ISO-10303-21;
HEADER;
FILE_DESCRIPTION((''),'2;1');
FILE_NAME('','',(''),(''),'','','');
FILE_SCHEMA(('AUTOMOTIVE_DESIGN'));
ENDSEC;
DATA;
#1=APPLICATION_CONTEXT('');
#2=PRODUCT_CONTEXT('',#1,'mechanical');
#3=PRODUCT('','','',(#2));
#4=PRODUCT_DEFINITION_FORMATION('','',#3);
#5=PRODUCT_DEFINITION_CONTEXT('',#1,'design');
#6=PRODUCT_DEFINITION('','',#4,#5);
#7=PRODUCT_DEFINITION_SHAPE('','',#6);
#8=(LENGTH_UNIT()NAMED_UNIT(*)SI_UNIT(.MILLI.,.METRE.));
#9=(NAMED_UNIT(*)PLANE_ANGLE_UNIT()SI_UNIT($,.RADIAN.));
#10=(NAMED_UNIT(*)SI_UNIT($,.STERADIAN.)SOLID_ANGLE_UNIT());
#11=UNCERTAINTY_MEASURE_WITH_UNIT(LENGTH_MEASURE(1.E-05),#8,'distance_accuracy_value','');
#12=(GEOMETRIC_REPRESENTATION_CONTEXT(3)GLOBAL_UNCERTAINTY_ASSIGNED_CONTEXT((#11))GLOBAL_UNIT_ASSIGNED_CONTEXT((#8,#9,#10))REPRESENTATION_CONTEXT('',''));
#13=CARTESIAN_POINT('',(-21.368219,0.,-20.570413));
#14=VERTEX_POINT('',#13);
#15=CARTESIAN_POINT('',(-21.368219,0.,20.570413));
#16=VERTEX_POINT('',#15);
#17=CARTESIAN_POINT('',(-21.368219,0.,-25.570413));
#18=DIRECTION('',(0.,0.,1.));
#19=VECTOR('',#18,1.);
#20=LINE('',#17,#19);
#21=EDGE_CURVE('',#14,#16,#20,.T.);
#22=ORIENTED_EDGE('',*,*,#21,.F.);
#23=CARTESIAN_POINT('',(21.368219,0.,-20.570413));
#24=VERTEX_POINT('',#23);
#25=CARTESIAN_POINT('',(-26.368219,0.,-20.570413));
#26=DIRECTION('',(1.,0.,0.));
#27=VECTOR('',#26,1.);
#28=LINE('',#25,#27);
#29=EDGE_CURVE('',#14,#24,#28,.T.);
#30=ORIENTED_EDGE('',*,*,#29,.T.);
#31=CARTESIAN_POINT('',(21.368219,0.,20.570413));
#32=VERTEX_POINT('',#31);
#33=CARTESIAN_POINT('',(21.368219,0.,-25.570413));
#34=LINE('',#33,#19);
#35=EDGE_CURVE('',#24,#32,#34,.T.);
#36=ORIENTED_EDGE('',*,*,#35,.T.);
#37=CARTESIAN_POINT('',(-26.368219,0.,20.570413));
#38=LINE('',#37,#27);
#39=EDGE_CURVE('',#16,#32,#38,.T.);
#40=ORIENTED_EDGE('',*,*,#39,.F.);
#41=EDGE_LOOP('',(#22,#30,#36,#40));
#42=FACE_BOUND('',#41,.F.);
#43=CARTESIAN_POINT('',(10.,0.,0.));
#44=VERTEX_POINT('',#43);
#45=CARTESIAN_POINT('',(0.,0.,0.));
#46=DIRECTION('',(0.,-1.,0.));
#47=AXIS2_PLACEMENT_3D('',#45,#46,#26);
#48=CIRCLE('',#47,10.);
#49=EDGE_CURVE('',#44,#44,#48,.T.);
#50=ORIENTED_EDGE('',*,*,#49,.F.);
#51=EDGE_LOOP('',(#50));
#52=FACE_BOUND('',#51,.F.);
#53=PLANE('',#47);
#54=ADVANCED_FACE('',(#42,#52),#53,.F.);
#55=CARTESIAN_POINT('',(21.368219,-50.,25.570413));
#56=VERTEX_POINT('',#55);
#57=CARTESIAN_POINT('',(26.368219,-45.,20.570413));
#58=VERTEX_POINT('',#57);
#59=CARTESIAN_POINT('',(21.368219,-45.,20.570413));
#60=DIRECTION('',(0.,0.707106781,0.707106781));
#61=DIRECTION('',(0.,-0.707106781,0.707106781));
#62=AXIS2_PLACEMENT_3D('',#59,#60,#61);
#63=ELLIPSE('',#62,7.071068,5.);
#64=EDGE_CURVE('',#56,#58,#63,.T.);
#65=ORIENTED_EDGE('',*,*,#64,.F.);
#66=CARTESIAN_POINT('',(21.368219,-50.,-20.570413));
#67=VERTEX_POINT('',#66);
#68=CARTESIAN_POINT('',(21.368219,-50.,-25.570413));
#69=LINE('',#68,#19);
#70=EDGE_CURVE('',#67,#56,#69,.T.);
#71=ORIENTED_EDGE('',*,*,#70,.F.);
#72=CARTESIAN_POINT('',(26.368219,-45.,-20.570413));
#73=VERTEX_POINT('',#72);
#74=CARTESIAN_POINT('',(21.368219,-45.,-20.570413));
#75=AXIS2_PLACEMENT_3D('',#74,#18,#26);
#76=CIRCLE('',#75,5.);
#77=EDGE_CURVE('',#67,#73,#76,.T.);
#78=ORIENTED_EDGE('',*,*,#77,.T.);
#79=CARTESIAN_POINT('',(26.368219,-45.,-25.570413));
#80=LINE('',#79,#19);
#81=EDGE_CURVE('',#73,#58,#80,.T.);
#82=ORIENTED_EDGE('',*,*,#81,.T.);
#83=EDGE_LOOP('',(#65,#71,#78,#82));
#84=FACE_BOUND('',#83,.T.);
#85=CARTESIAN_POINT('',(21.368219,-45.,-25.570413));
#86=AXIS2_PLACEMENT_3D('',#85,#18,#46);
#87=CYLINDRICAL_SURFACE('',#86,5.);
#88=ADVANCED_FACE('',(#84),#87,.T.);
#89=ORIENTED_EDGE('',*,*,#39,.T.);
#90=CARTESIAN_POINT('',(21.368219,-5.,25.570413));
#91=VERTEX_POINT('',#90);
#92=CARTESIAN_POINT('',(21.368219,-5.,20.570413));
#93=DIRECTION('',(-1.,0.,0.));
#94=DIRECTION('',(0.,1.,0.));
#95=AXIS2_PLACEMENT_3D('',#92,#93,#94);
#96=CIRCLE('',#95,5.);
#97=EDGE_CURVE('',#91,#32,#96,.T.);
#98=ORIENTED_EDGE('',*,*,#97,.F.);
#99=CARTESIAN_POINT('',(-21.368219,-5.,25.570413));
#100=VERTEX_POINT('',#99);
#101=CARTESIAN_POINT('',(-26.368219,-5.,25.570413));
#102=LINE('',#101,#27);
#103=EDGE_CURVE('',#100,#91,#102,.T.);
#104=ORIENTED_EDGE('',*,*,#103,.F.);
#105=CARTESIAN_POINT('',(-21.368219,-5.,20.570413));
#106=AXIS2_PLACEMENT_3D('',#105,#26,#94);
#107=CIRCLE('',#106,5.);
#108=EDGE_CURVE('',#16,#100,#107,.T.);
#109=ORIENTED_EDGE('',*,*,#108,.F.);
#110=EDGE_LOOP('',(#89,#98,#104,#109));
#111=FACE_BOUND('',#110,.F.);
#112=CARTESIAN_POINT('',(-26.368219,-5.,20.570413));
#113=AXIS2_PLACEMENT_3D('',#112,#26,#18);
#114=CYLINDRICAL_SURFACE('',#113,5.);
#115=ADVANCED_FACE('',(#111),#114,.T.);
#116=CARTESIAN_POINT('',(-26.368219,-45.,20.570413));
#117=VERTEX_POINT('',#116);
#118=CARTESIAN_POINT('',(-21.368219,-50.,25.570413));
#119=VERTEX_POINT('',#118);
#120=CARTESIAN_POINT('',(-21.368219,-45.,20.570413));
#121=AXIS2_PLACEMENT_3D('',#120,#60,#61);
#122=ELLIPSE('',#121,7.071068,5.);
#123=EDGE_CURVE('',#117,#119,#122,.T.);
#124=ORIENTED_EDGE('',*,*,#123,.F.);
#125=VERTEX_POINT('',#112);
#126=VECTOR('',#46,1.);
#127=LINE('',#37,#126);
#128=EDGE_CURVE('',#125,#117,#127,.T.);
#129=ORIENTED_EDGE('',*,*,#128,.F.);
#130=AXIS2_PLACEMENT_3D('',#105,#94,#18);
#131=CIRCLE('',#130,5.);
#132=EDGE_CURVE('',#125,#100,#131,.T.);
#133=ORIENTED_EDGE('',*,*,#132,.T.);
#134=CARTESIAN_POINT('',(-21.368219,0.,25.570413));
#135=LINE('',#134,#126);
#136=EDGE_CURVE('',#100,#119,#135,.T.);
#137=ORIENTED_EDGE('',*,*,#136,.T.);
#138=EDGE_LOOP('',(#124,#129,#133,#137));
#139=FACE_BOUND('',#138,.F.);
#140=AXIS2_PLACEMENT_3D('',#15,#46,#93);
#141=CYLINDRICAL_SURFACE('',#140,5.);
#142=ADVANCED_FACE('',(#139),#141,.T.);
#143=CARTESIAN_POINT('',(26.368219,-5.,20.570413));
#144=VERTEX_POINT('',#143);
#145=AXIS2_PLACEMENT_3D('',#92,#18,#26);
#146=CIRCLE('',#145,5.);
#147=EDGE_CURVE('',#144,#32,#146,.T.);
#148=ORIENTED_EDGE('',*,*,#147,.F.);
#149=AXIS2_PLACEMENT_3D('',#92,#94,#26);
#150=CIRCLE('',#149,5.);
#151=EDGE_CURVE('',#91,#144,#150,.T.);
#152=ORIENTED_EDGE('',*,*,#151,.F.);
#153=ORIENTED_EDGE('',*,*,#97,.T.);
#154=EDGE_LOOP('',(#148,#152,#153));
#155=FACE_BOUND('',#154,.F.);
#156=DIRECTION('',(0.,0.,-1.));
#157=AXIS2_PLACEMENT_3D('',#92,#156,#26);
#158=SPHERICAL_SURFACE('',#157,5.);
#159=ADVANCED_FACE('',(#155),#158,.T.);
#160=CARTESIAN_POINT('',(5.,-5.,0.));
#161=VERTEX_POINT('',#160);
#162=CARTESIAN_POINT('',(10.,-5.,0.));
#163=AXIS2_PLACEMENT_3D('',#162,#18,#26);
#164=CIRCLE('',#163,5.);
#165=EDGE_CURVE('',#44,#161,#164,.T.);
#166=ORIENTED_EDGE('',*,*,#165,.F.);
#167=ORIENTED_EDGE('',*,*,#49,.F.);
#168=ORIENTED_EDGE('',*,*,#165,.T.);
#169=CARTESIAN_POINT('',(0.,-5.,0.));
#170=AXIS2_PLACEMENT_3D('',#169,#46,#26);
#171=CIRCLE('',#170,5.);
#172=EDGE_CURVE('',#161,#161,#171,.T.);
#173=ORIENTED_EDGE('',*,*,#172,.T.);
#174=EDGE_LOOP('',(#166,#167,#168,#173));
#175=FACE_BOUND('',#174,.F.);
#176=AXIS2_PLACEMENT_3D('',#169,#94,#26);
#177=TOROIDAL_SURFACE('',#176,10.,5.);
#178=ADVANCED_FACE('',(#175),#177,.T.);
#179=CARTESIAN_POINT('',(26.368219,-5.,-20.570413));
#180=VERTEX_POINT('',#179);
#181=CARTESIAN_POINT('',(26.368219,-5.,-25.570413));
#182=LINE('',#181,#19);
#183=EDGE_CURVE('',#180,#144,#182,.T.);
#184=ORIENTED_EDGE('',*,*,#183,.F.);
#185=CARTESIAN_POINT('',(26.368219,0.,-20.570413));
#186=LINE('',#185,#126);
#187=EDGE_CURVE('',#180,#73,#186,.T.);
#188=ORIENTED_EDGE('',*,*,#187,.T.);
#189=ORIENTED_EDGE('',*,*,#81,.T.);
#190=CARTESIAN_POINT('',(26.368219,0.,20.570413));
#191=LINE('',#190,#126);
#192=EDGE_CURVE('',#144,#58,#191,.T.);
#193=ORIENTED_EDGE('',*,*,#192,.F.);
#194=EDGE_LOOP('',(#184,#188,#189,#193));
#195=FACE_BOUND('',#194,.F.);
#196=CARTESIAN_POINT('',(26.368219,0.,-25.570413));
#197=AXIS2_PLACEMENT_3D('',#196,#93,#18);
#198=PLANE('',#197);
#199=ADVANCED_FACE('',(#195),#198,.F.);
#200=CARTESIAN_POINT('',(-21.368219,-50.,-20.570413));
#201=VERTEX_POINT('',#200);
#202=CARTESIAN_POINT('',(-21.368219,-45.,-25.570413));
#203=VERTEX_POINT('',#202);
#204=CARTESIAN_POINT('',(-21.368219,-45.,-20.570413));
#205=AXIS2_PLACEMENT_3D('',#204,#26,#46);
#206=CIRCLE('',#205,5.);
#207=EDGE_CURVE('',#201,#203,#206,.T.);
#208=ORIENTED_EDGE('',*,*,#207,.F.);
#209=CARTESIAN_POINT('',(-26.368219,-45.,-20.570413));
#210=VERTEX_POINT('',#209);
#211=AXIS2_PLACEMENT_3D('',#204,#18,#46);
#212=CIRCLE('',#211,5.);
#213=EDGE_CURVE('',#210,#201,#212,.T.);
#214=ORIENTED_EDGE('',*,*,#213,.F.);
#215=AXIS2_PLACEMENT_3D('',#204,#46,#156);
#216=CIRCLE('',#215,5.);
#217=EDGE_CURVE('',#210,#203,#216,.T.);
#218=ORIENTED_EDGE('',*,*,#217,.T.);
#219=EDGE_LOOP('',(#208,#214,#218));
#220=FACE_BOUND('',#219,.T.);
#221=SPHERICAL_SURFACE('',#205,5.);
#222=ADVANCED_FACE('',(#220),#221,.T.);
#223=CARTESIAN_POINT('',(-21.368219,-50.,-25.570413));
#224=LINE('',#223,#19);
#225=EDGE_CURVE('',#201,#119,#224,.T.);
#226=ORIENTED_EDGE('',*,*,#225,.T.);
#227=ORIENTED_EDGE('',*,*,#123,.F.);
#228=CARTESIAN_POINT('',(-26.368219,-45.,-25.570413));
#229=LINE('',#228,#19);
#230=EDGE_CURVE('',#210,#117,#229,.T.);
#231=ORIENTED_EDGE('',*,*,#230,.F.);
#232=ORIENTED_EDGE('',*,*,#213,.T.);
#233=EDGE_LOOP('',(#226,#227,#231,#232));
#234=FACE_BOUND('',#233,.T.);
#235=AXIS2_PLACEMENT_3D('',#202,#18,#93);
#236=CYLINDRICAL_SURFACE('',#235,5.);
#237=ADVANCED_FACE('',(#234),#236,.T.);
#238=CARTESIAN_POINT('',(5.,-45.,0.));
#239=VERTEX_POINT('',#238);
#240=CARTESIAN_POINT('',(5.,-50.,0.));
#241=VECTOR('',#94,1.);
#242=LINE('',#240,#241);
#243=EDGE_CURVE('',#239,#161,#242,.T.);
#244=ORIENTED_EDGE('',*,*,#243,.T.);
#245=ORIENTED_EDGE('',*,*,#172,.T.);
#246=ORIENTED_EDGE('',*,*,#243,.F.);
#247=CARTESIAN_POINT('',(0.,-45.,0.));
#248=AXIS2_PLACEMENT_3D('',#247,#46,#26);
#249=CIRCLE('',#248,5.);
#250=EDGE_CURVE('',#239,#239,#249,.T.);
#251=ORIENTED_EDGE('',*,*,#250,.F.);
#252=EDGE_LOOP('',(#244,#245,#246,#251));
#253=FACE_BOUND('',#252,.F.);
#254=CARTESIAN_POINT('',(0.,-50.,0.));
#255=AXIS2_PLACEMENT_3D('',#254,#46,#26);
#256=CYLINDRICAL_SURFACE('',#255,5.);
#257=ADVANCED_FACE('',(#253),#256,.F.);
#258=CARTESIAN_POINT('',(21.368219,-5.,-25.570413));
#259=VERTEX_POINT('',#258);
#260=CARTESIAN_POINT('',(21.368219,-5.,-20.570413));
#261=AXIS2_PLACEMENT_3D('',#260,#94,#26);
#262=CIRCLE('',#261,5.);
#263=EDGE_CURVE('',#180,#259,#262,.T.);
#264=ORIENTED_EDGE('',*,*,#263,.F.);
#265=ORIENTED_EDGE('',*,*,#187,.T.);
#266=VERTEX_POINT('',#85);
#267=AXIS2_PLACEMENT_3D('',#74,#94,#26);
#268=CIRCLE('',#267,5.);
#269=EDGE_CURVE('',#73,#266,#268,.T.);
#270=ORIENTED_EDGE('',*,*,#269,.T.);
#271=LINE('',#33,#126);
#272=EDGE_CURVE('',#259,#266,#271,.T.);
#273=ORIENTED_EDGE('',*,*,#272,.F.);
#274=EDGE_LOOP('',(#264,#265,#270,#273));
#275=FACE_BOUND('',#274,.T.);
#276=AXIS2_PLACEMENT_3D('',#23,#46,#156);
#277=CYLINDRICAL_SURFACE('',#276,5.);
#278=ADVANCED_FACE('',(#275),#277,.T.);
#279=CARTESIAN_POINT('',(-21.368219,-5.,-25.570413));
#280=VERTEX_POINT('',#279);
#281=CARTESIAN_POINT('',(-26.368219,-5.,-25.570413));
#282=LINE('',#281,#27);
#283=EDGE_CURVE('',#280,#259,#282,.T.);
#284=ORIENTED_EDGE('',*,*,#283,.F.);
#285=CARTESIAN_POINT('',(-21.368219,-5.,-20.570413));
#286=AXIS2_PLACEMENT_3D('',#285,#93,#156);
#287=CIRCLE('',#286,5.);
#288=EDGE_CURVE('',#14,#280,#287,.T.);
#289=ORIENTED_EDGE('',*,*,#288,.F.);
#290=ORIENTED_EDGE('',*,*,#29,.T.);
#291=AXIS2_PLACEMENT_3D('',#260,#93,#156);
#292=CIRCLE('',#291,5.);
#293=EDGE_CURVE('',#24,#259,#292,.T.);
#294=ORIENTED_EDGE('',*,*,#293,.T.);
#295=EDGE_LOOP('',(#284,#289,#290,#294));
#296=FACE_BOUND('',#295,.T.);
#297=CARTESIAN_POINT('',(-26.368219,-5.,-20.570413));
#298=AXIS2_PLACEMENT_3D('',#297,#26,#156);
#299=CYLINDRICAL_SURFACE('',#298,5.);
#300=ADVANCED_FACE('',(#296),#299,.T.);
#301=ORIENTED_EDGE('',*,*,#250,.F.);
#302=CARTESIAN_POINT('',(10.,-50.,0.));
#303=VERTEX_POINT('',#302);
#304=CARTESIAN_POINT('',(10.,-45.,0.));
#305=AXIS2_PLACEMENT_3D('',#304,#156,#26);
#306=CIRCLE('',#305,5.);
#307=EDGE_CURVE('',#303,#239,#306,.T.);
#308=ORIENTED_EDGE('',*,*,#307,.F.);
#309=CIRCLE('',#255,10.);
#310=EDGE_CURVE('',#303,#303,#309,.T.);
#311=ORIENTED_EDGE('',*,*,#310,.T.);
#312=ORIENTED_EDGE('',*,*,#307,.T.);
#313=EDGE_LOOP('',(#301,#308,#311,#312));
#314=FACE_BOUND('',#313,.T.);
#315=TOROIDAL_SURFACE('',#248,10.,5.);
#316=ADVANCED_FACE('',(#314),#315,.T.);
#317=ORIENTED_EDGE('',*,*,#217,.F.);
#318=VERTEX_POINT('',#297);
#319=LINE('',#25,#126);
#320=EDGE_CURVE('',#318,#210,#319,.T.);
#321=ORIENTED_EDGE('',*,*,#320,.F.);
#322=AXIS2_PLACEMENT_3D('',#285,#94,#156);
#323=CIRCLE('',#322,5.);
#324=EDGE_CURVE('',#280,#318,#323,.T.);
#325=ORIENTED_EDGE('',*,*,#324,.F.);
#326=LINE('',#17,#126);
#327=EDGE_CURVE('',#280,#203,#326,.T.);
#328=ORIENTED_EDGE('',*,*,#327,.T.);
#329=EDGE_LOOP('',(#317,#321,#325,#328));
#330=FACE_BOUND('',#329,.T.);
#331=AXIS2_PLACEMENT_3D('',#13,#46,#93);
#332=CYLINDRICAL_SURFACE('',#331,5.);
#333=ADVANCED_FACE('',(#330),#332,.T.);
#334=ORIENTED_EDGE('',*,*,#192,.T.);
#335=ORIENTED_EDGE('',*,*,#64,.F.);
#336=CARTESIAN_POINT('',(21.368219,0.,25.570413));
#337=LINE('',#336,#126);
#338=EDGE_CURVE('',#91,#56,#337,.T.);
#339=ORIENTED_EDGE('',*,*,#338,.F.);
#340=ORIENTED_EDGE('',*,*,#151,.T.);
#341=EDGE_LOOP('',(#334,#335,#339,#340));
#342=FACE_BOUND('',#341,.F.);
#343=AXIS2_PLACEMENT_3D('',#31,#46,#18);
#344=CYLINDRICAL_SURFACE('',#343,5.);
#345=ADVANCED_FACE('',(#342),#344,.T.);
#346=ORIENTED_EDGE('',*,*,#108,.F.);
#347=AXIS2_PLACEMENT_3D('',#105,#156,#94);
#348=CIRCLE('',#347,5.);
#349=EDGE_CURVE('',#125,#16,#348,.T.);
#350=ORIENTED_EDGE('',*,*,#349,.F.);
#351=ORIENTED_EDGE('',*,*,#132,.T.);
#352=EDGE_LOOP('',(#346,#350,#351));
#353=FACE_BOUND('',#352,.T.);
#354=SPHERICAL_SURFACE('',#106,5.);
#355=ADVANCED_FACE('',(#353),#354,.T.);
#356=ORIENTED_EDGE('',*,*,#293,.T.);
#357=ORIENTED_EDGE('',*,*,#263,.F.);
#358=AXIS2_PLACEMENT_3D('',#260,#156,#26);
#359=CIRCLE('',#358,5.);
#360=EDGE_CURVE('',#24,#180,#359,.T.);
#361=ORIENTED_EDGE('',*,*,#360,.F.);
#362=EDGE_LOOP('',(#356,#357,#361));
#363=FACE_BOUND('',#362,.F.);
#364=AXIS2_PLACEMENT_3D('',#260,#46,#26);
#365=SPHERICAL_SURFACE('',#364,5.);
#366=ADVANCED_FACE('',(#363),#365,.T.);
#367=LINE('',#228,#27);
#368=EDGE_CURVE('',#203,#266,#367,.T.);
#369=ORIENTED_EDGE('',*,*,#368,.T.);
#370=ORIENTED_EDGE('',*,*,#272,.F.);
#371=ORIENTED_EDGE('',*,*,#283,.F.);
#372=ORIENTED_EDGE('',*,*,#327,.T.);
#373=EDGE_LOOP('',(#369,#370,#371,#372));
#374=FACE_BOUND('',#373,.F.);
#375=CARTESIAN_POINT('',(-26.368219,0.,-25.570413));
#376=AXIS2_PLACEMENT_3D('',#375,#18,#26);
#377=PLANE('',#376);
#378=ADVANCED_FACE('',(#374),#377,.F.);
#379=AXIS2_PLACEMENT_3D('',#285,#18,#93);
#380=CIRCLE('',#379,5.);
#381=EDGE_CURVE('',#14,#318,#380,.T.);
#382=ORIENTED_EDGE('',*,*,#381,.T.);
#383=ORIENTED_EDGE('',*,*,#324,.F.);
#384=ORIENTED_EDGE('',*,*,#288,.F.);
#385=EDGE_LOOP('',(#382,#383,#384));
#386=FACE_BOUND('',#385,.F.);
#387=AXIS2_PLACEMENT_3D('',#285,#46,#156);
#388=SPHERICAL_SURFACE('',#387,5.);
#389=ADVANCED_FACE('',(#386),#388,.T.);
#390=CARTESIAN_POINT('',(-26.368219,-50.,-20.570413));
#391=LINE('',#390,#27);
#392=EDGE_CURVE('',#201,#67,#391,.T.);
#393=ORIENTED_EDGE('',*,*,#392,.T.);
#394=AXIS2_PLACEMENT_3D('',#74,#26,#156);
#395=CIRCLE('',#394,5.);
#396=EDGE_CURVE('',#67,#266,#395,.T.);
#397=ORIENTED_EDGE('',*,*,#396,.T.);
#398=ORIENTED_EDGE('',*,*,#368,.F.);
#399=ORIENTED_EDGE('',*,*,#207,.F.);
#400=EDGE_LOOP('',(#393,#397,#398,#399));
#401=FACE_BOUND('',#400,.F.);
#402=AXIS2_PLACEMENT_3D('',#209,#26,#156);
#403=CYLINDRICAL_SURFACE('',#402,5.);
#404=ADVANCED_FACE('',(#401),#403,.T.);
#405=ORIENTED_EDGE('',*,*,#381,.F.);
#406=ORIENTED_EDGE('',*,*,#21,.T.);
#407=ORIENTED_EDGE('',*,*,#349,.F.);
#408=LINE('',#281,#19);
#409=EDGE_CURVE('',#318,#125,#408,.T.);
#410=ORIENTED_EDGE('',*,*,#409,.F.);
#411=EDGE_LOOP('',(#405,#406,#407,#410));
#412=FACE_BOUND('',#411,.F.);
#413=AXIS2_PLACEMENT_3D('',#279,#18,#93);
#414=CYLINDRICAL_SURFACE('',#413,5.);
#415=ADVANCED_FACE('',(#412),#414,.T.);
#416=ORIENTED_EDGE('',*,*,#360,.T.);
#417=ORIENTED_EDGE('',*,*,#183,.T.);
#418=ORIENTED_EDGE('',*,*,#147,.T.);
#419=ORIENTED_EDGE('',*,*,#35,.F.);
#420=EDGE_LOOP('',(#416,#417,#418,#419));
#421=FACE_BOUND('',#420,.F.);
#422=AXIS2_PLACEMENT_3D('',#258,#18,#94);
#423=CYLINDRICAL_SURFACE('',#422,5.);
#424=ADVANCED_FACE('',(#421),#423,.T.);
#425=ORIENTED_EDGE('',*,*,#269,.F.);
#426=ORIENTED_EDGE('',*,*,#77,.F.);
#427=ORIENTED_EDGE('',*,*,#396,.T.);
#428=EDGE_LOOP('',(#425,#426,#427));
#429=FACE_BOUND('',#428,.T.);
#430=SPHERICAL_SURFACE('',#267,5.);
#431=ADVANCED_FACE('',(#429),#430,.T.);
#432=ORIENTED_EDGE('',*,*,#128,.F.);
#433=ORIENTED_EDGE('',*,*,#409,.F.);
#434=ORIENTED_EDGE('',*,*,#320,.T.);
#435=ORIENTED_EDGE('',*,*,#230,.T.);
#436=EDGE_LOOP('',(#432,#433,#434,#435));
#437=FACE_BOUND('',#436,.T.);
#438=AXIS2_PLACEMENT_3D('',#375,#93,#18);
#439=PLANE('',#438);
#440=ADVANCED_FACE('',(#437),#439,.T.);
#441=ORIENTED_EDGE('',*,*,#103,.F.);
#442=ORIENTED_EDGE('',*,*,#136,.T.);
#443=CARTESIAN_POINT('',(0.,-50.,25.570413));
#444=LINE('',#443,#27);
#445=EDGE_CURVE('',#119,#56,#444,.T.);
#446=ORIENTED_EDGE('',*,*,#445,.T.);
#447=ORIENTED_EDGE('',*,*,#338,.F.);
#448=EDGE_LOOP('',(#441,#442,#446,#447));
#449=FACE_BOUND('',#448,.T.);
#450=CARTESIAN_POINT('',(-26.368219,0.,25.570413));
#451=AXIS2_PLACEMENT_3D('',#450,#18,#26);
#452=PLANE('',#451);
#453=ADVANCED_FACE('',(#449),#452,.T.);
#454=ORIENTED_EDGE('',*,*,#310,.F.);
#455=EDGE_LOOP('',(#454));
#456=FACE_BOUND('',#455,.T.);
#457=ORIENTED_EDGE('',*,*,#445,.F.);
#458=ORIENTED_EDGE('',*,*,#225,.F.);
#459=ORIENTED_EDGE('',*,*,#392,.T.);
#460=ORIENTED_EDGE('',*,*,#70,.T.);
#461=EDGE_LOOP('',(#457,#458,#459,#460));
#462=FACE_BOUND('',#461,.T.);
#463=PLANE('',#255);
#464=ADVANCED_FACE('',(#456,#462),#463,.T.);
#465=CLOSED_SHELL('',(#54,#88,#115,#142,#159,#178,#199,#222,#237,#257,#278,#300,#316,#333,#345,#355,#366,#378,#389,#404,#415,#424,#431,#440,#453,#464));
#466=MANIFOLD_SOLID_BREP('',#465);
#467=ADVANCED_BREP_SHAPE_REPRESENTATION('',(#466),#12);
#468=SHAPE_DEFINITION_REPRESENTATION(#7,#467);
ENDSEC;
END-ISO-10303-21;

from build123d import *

# Parameters (mm, degrees)
F0_W     = 52.736438
F0_H     = 51.140826
F1_DEPTH = 50
F2_R     = 5
F3_DEPTH = 50.001
F4_R     = 5


with BuildPart() as f1:
    # F0 (on Front) → F1 (new body)
    with BuildSketch(Plane.XZ):
        Rectangle(F0_W, F0_H)
    extrude(amount=F1_DEPTH)

    # F2 (on face) → F3 (cut, through all)
    with BuildSketch(Plane.XZ.offset(50)):
        Circle(F2_R)
    extrude(amount=-F3_DEPTH, mode=Mode.SUBTRACT)

    # F4
    f4_edges = [f1.edges().sort_by_distance(p)[0] for p in [
        (-5, -50, 0),
        (-5, 0, 0),
        (26.368219, -25, -25.570413),
        (26.368219, -50, 0),
        (26.368219, 0, 0),
        (26.368219, -25, 25.570413),
        (0, -50, -25.570413),
        (-26.368219, -50, 0),
        (-26.368219, -25, -25.570413),
        (0, 0, -25.570413),
        (0, 0, 25.570413),
        (-26.368219, 0, 0),
        (-26.368219, -25, 25.570413),
    ]]
    fillet(f4_edges, radius=F4_R)


solid = f1.part
